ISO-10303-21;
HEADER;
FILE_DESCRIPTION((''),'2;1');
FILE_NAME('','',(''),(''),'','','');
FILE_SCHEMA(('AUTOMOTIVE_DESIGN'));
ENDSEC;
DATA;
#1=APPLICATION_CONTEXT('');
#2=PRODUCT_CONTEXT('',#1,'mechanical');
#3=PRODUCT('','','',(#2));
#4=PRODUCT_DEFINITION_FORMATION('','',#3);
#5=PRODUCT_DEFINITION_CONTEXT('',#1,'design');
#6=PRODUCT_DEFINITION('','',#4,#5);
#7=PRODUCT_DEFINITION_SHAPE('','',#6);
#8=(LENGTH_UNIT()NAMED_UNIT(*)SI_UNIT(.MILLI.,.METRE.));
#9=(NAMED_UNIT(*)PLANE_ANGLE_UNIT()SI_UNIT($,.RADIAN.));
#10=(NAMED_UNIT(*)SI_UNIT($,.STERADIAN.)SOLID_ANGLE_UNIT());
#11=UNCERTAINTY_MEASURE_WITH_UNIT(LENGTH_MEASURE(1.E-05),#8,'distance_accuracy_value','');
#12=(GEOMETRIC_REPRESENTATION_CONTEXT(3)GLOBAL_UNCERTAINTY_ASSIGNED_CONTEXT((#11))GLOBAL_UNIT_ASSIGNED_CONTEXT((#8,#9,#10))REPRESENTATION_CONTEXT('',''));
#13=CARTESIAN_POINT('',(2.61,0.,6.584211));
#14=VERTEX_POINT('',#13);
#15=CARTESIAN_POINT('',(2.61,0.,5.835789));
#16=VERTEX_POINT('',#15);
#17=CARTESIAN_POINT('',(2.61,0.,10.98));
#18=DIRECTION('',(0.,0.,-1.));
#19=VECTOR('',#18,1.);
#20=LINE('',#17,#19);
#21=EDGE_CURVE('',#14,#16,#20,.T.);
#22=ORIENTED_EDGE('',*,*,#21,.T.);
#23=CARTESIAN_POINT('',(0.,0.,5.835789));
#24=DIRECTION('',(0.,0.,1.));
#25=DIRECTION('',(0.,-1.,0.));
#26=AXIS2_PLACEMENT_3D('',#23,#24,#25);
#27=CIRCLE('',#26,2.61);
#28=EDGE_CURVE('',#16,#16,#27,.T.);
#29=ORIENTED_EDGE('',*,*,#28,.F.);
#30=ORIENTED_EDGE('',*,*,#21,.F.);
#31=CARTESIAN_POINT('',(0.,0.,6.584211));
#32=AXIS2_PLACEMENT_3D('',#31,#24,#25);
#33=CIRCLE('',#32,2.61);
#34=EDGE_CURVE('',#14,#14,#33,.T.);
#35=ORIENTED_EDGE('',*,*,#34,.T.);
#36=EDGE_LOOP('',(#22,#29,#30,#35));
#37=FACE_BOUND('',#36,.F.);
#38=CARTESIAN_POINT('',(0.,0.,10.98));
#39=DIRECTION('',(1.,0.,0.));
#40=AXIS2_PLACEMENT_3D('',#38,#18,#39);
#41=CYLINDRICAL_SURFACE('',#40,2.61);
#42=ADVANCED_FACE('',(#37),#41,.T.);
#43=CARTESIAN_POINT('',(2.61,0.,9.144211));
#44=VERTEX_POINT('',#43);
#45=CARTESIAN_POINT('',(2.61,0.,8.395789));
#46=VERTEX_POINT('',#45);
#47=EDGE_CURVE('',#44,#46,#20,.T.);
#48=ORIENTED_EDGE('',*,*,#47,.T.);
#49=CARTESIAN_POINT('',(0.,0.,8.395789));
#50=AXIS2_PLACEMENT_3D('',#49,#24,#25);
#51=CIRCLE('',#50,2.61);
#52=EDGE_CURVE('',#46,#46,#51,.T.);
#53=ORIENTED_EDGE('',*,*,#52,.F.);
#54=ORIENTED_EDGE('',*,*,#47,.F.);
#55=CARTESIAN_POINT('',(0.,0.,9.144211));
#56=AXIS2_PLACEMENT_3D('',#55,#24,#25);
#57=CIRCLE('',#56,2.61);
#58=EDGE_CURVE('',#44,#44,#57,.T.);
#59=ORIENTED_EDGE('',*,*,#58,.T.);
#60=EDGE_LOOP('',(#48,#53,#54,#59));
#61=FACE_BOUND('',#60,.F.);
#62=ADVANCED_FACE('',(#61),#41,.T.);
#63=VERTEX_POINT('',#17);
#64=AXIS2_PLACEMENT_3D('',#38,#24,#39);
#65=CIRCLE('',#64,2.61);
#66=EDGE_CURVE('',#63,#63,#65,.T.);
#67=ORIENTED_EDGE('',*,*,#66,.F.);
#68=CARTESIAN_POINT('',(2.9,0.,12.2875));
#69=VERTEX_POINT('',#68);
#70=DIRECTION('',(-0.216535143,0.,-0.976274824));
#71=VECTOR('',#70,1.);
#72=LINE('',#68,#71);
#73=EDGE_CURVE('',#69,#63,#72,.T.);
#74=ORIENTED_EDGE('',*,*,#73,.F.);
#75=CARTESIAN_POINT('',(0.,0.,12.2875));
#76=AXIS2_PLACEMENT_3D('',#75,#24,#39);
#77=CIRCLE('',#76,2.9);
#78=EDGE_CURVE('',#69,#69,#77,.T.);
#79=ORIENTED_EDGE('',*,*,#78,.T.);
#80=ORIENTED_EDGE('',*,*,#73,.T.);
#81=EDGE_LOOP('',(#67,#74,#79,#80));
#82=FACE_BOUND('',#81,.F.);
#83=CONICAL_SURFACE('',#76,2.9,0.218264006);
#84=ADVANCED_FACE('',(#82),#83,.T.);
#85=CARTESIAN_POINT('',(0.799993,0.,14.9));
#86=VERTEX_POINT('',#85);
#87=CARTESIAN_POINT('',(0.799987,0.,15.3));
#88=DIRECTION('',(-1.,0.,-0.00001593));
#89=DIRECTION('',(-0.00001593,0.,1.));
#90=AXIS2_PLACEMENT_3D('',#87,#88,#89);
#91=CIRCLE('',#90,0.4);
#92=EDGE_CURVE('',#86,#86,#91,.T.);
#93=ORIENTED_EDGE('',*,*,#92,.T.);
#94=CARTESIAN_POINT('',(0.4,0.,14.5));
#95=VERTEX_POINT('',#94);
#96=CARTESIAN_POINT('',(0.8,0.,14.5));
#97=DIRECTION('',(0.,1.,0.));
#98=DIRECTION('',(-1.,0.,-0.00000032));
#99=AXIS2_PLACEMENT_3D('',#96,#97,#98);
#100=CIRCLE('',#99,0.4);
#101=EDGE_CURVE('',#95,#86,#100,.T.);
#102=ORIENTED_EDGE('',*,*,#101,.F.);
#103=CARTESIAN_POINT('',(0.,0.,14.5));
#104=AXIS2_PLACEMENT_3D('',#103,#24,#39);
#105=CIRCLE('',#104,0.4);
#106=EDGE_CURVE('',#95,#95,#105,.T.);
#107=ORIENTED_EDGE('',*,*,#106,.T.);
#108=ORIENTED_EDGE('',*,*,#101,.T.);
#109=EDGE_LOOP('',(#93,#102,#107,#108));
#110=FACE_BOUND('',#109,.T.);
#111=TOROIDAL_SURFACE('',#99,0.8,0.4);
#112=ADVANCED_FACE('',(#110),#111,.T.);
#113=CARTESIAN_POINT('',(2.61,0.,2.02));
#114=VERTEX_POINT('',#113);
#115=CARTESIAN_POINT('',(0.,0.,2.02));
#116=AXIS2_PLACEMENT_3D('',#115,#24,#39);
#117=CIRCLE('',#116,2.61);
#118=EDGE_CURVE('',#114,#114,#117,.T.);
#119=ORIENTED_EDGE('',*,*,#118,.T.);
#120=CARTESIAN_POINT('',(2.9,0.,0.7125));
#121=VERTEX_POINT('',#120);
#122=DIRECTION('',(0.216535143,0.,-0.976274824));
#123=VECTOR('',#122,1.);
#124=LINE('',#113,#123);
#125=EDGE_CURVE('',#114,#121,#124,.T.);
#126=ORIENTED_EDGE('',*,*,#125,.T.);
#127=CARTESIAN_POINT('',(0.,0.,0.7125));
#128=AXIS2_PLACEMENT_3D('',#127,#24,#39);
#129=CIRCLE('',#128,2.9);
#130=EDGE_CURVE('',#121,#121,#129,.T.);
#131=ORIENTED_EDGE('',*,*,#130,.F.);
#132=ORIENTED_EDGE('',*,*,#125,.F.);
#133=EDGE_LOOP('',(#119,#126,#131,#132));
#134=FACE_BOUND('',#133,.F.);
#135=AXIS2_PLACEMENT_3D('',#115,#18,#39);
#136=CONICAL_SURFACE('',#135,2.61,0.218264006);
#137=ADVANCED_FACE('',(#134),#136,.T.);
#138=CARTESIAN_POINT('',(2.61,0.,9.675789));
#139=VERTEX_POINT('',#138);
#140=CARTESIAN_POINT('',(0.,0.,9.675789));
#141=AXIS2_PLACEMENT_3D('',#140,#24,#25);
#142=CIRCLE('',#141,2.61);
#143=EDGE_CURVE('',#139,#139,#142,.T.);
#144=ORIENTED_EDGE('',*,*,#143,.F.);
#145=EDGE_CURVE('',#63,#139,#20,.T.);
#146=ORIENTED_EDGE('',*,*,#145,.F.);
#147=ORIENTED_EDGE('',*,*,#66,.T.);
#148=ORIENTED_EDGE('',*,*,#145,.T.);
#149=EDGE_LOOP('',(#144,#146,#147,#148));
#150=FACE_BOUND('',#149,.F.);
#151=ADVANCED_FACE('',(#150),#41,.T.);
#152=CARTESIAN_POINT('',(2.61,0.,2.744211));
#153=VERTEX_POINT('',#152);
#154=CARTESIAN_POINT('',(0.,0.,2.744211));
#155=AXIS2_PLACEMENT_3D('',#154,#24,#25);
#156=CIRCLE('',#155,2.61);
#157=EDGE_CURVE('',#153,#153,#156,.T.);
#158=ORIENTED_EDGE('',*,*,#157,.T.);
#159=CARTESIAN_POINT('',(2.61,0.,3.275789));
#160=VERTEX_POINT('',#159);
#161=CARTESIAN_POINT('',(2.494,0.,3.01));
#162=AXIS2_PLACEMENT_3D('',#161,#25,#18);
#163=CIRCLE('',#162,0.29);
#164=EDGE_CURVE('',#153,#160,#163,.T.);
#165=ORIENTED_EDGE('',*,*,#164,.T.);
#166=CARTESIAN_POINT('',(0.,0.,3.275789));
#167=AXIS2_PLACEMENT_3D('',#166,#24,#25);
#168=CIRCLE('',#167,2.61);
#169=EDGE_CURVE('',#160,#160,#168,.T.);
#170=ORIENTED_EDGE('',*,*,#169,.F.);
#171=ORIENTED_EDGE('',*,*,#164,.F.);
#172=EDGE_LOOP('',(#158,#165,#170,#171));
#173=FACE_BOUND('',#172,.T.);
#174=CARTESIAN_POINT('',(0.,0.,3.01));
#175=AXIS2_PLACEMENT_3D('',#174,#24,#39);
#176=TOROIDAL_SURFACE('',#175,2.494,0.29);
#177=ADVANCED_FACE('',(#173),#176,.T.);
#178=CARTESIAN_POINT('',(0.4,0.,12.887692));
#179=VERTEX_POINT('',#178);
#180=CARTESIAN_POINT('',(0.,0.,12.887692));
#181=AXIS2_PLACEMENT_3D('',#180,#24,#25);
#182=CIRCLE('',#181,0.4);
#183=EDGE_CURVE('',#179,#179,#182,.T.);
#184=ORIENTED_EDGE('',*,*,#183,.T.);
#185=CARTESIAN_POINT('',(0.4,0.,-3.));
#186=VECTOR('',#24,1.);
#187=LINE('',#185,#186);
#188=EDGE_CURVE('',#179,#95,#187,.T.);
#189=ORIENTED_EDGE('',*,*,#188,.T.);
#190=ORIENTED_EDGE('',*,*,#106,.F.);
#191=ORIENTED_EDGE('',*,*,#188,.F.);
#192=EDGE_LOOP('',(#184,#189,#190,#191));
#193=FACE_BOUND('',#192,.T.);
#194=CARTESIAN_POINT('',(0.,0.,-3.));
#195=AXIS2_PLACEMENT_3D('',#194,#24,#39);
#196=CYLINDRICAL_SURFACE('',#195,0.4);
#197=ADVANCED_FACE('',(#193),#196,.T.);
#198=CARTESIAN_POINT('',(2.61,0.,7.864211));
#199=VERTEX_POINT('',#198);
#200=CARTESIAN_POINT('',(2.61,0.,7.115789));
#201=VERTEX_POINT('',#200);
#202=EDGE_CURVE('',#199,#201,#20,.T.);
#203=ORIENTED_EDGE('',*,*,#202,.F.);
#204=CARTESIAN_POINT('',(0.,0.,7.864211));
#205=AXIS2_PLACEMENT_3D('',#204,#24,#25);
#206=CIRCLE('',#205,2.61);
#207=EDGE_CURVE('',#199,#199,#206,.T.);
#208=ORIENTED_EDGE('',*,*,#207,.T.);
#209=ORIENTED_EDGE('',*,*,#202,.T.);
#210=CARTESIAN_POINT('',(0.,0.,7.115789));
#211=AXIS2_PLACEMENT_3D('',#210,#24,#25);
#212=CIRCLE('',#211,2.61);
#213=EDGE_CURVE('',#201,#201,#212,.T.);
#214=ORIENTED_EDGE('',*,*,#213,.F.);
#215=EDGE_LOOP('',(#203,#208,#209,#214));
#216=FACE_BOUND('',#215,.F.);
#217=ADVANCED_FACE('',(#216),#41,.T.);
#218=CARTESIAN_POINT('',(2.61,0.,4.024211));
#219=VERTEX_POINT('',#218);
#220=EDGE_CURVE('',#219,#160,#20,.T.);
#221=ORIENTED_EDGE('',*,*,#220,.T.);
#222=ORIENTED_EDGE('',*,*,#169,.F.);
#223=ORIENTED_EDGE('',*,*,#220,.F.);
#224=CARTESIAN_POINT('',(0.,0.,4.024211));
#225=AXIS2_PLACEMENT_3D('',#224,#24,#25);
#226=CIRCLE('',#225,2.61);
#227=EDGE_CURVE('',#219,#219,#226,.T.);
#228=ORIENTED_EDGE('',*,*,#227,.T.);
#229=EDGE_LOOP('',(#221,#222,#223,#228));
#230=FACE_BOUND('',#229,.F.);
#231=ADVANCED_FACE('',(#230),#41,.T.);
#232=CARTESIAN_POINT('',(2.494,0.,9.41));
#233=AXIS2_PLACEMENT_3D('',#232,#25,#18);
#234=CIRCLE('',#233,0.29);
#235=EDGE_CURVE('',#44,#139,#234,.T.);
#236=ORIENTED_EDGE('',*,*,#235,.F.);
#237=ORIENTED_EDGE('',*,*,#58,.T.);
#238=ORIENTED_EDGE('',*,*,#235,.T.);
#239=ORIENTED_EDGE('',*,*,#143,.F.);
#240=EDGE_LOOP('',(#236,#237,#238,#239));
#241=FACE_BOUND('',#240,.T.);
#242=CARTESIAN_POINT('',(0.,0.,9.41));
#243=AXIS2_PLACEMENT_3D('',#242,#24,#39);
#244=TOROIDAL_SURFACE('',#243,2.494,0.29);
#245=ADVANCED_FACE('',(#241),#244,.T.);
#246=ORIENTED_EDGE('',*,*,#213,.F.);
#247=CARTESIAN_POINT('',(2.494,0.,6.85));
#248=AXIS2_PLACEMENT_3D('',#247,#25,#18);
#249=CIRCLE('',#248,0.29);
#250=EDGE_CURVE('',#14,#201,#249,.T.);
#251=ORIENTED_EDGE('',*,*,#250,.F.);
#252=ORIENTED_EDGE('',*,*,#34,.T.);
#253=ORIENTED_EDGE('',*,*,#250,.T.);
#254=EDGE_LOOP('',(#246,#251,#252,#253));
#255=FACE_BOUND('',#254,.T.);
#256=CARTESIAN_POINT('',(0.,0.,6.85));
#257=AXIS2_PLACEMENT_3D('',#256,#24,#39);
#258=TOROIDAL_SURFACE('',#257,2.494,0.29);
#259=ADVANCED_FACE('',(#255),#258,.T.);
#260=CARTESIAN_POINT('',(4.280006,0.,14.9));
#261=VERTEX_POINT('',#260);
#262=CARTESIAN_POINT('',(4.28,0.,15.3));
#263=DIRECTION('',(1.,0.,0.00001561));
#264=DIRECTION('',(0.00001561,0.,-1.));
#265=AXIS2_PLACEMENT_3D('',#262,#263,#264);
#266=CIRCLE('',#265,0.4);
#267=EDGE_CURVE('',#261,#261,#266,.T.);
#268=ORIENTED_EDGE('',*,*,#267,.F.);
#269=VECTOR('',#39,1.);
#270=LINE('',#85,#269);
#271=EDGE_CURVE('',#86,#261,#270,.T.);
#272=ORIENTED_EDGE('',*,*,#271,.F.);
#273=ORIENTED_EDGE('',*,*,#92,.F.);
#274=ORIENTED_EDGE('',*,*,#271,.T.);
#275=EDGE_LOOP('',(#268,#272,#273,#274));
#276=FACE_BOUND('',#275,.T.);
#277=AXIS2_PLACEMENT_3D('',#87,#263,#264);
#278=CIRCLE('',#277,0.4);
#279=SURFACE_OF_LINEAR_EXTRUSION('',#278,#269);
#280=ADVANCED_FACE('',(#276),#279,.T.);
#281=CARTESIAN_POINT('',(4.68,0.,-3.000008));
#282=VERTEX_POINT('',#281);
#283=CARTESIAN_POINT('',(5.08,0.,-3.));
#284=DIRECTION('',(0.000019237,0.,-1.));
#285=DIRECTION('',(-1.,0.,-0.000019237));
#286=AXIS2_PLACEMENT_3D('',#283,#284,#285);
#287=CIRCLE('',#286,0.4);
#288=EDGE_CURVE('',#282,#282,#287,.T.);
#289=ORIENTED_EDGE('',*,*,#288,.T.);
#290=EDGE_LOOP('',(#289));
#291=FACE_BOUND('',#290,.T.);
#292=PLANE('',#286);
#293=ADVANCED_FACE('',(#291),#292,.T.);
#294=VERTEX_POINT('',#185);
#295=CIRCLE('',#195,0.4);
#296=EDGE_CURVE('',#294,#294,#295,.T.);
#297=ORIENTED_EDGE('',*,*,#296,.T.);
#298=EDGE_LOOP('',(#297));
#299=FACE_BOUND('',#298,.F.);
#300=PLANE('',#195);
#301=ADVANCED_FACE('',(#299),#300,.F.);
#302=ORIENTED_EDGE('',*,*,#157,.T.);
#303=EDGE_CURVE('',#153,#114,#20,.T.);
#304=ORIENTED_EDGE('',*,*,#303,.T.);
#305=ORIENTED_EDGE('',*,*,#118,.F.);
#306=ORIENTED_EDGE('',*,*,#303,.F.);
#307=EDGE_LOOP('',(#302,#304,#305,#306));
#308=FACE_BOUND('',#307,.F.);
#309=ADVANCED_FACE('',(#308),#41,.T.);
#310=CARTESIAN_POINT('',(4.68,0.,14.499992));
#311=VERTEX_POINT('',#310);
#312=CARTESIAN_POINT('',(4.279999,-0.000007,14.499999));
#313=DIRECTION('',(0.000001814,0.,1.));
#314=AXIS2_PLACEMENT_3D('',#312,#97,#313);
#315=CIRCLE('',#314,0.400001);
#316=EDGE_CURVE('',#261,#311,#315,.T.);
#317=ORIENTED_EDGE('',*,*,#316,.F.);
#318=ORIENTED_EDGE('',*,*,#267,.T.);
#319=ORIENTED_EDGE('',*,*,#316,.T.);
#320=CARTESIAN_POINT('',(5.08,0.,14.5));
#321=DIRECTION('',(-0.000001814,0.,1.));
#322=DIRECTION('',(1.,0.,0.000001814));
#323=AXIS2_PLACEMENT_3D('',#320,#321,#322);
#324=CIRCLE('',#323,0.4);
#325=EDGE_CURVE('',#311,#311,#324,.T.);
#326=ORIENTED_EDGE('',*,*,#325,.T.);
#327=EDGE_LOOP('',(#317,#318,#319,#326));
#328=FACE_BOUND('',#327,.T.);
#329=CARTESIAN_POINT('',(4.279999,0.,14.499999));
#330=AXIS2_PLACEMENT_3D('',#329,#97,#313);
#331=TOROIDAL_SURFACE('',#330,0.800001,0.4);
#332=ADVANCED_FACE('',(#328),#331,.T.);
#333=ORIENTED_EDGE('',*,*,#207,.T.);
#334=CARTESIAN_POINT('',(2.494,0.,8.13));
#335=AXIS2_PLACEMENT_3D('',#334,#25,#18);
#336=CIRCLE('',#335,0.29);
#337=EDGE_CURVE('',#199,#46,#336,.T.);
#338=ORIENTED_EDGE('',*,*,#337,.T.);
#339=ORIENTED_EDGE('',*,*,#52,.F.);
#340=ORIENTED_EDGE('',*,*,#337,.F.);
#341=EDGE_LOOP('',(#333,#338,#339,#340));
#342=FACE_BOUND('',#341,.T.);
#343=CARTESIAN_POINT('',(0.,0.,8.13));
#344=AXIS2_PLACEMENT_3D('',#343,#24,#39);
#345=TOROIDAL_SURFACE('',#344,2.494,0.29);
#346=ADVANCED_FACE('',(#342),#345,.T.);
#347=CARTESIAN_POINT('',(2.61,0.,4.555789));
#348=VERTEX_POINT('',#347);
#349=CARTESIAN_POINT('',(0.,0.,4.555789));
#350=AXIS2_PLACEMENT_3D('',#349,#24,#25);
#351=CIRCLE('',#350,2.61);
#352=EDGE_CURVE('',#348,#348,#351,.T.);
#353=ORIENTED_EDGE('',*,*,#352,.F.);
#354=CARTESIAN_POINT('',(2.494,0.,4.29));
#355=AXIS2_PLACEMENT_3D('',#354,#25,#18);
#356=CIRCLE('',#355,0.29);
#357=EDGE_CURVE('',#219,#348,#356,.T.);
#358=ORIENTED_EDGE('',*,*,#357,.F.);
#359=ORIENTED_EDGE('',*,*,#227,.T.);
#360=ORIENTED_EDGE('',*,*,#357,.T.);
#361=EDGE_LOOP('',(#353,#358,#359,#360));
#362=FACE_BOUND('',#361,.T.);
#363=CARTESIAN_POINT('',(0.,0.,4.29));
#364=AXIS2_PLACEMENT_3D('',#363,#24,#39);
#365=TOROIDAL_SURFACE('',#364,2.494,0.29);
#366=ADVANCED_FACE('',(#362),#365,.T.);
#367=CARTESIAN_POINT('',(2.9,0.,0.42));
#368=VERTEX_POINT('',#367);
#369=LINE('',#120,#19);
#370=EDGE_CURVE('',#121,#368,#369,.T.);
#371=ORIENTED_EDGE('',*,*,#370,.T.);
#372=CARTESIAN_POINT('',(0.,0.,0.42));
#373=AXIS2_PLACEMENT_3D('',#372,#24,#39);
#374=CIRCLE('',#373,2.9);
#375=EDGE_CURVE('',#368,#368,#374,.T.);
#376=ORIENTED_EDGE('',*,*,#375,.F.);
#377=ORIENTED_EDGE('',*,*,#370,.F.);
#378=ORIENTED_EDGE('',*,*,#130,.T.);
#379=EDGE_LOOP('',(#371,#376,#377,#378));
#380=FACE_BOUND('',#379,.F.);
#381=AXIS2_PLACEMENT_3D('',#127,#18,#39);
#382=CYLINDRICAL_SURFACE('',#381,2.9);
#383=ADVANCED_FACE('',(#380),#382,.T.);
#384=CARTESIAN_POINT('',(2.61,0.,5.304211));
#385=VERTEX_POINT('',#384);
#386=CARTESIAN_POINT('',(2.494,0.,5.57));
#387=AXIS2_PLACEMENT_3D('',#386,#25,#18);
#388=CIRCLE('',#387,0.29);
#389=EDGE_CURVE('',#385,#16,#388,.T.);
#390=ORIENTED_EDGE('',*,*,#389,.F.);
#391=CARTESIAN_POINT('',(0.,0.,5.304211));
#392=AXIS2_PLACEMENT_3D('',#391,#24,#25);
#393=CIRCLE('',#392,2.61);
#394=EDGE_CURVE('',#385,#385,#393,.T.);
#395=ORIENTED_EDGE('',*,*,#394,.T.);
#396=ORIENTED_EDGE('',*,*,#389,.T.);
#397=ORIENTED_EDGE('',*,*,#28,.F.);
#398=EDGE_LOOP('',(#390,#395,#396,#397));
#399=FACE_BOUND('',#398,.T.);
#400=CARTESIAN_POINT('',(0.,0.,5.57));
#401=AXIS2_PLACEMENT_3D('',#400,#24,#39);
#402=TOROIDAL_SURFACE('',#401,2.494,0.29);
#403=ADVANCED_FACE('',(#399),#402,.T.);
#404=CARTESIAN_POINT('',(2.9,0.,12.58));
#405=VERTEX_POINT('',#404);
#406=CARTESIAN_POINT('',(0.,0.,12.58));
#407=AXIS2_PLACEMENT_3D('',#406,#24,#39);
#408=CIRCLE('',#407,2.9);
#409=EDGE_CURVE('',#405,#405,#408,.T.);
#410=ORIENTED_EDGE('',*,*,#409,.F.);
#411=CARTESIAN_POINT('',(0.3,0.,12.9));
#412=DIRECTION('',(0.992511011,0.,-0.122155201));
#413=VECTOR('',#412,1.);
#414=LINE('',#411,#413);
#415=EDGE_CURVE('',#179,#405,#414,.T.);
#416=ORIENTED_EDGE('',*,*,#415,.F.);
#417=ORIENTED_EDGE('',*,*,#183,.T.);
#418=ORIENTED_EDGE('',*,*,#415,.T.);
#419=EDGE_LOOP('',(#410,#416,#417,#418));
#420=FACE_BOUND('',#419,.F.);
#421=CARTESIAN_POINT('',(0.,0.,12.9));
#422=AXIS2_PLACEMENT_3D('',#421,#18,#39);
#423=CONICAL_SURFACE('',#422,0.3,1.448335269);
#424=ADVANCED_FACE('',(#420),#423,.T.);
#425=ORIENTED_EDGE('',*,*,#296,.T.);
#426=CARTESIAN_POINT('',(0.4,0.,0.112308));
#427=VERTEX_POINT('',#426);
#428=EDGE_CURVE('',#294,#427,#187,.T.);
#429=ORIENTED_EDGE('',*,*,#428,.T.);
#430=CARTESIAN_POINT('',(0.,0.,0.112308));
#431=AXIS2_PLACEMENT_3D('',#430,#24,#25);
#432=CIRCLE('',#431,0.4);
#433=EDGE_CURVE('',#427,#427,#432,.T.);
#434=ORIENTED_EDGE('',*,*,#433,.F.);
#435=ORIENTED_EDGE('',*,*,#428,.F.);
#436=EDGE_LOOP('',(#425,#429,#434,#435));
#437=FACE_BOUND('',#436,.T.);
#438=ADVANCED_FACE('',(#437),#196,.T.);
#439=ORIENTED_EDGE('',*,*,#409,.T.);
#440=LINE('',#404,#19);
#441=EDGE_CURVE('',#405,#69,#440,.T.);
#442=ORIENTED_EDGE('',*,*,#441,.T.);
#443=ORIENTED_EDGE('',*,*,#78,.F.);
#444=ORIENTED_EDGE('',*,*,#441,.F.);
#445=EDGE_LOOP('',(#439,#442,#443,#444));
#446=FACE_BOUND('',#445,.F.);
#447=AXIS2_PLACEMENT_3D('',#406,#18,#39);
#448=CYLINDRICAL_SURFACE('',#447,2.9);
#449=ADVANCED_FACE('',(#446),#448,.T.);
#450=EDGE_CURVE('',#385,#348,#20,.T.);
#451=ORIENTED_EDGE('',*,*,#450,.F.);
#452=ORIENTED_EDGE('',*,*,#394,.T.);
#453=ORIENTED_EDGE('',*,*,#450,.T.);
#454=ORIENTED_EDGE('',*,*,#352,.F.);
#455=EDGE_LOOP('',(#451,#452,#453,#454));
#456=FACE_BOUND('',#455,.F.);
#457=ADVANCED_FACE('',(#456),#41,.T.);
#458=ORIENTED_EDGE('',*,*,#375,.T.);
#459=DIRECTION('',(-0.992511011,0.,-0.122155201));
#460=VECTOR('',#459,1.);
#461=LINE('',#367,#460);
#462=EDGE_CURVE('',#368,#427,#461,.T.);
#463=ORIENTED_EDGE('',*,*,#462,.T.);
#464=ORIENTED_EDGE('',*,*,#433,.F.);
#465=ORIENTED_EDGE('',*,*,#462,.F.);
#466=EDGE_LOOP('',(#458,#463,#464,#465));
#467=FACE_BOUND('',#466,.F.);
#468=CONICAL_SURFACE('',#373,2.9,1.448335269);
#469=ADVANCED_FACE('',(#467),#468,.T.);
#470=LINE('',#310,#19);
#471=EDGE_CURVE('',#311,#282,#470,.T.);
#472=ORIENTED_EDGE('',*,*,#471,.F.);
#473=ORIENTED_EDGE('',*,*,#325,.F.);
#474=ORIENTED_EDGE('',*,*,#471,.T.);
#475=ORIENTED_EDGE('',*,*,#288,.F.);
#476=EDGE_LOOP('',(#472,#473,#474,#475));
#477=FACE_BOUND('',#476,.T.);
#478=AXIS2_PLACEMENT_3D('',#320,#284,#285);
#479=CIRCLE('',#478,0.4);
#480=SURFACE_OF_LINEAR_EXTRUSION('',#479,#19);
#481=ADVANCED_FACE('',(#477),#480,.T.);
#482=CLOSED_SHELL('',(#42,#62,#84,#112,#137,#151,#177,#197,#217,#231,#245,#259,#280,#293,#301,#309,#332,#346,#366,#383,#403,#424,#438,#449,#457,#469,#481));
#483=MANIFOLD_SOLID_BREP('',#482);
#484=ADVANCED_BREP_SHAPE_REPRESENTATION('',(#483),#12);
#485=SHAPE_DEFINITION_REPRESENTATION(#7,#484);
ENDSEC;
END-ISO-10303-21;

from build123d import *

# Parameters (mm, degrees)
SKETCH_R = 0.4


with BuildPart() as revolution:
    # Sketch002 → Revolution (revolve)
    with BuildSketch(Plane.XZ):
        Polygon((0, 0.1), (0, 12.9), (0.3, 12.9), (2.9, 12.58), (2.9, 12.2875), (2.61, 10.98), (2.61, 2.02), (2.9, 0.7125), (2.9, 0.42), (0.3, 0.1), align=None)
    revolve(axis=Axis((0, 0, 0), (0, 0, 1)))


with BuildPart() as revolution001:
    # Sketch003 → Revolution001 (revolve)
    with BuildSketch(Plane.XZ):
        with BuildLine():
            Line((2.32, 10.4), (2.32, 2.02))
            Line((2.32, 2.02), (2.494, 2.02))
            Line((2.494, 2.02), (2.494, 2.72))
            ThreePointArc((2.494, 2.72), (2.784, 3.01), (2.494, 3.3))
            Line((2.494, 3.3), (2.494, 4))
            ThreePointArc((2.494, 4), (2.784, 4.29), (2.494, 4.58))
            Line((2.494, 4.58), (2.494, 5.28))
            ThreePointArc((2.494, 5.28), (2.784, 5.57), (2.494, 5.86))
            Line((2.494, 5.86), (2.494, 6.56))
            ThreePointArc((2.494, 6.56), (2.784, 6.85), (2.494, 7.14))
            Line((2.494, 7.14), (2.494, 7.84))
            ThreePointArc((2.494, 7.84), (2.784, 8.13), (2.494, 8.42))
            Line((2.494, 8.42), (2.494, 9.12))
            ThreePointArc((2.494, 9.12), (2.784, 9.41), (2.494, 9.7))
            Line((2.494, 10.4), (2.494, 9.7))
            Line((2.32, 10.4), (2.494, 10.4))
        make_face()
    revolve(axis=Axis((0, 0, 0), (0, 0, 1)))


with BuildPart() as sweep_mp_cp:
    # Sweep: sweep along a path in Sketch001
    with BuildLine(Plane.XZ) as sweep_path:
        Line((0, -3), (0, 14.5))
        ThreePointArc((0, 14.5), (0.23431, 15.065681), (0.799987, 15.3))
        Line((0.799987, 15.3), (4.28, 15.3))
        ThreePointArc((4.28, 15.3), (4.845685, 15.065685), (5.08, 14.5))
        Line((5.08, 14.5), (5.08, -3))
    # Sketch → Sweep (sweep)
    with BuildSketch(Plane.XY.offset(-2)):
        Circle(SKETCH_R)
    sweep(path=sweep_path.line)

    # Sweep_mp_cp: union Revolution, Revolution001
    add(revolution.part)
    add(revolution001.part)


solid = sweep_mp_cp.part
